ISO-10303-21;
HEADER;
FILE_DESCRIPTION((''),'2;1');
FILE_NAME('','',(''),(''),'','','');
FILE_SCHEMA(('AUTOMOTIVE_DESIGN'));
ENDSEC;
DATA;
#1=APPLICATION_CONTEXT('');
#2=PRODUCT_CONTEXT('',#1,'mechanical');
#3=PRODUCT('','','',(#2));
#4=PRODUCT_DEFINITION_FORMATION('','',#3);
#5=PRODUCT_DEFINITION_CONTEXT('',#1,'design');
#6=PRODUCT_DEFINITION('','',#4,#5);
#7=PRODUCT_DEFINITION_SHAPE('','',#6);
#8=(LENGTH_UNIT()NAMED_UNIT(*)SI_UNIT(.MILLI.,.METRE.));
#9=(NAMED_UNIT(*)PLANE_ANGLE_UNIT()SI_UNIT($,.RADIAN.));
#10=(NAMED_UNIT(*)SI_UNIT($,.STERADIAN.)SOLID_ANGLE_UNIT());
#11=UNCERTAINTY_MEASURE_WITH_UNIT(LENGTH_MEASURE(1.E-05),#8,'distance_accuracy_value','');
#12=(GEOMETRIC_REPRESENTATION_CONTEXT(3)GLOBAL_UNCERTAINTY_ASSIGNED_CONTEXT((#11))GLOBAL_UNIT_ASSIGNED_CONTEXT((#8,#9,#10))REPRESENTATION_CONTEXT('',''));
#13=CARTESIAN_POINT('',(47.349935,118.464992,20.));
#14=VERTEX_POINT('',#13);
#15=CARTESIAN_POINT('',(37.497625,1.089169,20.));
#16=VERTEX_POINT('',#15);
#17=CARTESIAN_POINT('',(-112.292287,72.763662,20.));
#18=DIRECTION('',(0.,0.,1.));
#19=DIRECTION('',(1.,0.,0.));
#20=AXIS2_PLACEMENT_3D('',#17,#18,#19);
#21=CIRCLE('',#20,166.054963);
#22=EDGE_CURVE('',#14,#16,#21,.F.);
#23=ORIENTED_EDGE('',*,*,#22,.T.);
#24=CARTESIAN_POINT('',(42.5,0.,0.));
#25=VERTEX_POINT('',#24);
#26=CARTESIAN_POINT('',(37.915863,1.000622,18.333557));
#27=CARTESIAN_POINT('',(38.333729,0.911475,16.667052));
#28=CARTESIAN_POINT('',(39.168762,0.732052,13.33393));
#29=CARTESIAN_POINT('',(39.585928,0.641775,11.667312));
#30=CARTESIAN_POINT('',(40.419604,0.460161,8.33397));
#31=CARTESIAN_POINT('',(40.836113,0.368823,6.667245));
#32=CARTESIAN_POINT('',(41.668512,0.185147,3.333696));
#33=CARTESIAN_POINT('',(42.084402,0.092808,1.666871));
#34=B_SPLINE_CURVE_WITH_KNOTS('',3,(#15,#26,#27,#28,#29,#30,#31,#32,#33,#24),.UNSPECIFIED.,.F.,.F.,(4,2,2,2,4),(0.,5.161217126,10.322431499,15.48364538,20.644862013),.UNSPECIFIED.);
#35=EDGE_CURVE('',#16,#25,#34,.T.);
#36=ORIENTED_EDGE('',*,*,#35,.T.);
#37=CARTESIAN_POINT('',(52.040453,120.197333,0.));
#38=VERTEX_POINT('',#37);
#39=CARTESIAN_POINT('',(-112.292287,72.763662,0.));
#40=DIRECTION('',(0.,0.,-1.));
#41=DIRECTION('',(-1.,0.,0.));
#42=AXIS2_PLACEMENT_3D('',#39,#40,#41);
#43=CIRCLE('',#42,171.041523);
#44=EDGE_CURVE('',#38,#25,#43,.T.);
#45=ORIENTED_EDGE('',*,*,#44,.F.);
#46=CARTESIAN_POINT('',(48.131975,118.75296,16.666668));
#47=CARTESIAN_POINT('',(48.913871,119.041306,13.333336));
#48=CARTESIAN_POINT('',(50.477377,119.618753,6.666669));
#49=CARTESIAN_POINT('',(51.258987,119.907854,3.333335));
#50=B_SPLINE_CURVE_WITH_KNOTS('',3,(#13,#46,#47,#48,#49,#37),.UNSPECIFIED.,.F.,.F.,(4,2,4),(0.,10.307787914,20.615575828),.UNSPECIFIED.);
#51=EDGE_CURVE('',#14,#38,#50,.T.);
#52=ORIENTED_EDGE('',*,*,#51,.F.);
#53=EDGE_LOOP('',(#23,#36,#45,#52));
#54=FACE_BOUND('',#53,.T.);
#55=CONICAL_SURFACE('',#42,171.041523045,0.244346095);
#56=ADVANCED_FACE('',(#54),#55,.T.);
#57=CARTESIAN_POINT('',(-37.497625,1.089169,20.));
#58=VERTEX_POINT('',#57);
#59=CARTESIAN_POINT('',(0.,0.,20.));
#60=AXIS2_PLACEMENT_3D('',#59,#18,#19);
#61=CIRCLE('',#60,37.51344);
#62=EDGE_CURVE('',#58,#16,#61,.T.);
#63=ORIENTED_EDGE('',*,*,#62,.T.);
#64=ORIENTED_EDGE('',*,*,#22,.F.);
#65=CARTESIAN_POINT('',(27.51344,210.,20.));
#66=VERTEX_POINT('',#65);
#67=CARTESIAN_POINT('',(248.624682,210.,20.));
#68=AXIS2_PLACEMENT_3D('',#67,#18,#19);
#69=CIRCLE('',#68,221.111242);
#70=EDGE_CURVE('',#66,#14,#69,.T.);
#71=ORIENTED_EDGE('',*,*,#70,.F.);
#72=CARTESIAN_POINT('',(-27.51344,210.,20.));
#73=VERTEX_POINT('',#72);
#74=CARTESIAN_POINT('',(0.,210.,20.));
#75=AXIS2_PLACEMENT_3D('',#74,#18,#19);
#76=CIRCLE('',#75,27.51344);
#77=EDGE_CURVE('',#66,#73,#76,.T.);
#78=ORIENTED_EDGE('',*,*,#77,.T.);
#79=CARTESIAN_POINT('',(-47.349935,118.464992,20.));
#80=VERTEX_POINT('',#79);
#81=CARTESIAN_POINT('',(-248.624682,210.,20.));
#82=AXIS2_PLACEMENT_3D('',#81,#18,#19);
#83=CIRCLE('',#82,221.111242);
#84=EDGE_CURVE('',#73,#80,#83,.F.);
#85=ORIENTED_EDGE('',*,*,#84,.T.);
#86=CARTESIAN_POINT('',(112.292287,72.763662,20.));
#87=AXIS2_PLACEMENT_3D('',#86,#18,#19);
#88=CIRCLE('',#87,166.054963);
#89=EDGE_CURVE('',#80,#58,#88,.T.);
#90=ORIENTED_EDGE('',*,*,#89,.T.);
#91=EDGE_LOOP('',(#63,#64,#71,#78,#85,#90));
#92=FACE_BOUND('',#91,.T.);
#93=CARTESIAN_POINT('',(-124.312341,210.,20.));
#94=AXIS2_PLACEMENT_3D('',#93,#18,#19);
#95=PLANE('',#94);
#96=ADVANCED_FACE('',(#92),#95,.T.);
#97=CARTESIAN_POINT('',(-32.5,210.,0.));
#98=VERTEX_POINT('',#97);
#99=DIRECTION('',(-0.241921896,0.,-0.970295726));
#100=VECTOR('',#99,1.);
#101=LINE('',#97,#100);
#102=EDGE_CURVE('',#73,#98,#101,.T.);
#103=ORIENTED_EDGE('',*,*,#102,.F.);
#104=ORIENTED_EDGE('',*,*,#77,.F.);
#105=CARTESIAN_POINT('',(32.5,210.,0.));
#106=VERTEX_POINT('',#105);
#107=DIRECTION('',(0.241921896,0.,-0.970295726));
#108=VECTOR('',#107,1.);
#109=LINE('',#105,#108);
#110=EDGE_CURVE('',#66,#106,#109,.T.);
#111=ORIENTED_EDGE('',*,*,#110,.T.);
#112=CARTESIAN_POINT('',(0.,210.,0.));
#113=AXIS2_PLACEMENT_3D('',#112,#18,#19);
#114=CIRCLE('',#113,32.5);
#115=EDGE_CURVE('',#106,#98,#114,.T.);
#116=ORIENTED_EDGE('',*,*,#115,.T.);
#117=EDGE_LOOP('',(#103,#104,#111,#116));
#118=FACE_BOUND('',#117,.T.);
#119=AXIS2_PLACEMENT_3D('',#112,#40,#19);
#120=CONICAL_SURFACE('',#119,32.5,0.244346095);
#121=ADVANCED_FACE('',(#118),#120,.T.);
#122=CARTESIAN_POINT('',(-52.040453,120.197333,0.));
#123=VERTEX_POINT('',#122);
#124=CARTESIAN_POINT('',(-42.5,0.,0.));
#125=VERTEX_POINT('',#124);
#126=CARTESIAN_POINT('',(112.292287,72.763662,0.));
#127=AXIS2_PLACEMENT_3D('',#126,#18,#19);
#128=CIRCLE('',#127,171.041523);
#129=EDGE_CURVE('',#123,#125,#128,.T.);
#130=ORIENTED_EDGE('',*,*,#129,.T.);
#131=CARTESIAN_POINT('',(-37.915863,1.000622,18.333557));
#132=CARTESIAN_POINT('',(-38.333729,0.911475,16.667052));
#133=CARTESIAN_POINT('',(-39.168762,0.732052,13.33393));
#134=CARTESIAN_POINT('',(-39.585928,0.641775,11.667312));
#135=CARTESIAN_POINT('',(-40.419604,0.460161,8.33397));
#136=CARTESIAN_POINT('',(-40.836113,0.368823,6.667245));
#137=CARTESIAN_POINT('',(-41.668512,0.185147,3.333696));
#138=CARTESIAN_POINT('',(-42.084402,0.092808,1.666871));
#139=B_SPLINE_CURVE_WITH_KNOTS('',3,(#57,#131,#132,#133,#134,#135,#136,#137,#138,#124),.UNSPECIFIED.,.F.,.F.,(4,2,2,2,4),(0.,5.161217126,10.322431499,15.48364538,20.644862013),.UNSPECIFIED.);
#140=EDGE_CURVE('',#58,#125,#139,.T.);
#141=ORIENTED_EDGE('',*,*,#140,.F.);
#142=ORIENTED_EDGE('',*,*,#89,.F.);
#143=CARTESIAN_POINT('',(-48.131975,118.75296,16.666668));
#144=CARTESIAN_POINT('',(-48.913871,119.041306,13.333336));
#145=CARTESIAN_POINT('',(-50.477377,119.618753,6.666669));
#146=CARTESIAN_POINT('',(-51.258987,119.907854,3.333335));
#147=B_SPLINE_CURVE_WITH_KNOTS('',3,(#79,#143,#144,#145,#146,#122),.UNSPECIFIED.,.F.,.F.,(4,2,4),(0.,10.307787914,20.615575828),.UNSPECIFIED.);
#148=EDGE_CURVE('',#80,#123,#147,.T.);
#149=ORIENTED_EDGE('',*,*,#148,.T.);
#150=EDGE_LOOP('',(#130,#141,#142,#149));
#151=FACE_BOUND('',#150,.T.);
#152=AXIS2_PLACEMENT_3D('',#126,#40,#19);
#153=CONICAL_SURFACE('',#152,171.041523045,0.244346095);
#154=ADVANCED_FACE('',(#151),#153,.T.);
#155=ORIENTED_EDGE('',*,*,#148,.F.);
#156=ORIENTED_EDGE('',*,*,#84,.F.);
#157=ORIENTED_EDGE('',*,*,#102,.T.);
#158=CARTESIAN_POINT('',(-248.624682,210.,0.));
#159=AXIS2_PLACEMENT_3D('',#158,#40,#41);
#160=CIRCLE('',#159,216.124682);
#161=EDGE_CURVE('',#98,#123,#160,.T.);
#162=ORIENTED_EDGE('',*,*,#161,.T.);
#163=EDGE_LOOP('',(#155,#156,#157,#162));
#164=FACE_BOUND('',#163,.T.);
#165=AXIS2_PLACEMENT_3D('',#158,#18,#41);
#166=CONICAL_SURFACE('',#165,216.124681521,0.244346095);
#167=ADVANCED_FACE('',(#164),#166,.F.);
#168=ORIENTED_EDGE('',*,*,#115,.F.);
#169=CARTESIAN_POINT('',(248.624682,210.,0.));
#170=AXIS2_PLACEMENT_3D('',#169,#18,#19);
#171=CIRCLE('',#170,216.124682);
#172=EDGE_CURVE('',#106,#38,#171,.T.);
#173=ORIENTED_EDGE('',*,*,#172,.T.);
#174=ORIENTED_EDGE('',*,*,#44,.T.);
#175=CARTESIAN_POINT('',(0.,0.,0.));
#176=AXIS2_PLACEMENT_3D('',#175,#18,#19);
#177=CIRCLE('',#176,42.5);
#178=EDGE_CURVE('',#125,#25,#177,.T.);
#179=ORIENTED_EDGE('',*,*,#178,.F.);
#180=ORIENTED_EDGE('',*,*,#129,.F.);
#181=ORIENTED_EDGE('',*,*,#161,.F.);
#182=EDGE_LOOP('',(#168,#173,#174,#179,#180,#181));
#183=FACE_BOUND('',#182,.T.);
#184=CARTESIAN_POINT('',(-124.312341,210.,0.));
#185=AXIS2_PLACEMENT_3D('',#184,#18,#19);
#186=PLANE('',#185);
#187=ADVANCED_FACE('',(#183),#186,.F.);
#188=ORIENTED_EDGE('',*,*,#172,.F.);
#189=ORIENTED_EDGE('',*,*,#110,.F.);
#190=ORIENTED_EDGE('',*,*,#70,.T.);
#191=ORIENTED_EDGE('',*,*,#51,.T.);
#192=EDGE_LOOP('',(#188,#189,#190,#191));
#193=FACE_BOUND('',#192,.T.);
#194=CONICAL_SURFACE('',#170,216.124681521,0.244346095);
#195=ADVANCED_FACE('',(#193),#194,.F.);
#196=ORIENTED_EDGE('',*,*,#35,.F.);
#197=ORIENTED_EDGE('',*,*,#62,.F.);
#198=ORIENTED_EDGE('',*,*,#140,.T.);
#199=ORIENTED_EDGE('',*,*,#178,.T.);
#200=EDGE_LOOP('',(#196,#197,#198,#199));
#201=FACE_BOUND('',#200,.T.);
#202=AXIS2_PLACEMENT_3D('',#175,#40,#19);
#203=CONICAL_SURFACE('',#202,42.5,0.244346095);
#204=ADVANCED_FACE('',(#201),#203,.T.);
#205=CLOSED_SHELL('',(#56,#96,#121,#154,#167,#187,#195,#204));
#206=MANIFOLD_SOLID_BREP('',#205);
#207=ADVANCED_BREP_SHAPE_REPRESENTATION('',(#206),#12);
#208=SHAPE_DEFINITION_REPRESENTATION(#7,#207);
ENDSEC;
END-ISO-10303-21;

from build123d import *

# Parameters (mm, degrees)
BOSS_EXTRUDE1_DEPTH = 20
BOSS_EXTRUDE1_DRAFT = 14


with BuildPart() as part:
    # Sketch1 → Boss-Extrude1 (with draft: the straight prism first)
    with BuildSketch(Plane.XY):
        with BuildLine():
            ThreePointArc((-42.5, 0), (0, -42.5), (42.5, 0))
            ThreePointArc((42.5, 0), (58.212978051, 59.230104498), (52.040453066, 120.197332527))
            ThreePointArc((52.040453066, 120.197332527), (37.441607235, 164.047991362), (32.5, 210))
            ThreePointArc((32.5, 210), (0, 242.5), (-32.5, 210))
            ThreePointArc((-32.5, 210), (-37.441607235, 164.047991362), (-52.040453066, 120.197332527))
            ThreePointArc((-52.040453066, 120.197332527), (-58.212978051, 59.230104498), (-42.5, 0))
        make_face()
    extrude(amount=BOSS_EXTRUDE1_DEPTH)
    # Boss-Extrude1: the draft: its side faces are tilted about the plane it starts from
    boss_extrude1_sides = [part.faces().sort_by_distance(p)[0] for p in [
        (-58.212978051, 59.230104498, 10),
        (0, -42.5, 10),
        (58.212978051, 59.230104498, 10),
        (37.441607235, 164.047991362, 10),
        (0, 242.5, 10),
        (-37.441607235, 164.047991362, 10),
    ]]
    draft(boss_extrude1_sides, Plane.XY, BOSS_EXTRUDE1_DRAFT)


solid = part.part
